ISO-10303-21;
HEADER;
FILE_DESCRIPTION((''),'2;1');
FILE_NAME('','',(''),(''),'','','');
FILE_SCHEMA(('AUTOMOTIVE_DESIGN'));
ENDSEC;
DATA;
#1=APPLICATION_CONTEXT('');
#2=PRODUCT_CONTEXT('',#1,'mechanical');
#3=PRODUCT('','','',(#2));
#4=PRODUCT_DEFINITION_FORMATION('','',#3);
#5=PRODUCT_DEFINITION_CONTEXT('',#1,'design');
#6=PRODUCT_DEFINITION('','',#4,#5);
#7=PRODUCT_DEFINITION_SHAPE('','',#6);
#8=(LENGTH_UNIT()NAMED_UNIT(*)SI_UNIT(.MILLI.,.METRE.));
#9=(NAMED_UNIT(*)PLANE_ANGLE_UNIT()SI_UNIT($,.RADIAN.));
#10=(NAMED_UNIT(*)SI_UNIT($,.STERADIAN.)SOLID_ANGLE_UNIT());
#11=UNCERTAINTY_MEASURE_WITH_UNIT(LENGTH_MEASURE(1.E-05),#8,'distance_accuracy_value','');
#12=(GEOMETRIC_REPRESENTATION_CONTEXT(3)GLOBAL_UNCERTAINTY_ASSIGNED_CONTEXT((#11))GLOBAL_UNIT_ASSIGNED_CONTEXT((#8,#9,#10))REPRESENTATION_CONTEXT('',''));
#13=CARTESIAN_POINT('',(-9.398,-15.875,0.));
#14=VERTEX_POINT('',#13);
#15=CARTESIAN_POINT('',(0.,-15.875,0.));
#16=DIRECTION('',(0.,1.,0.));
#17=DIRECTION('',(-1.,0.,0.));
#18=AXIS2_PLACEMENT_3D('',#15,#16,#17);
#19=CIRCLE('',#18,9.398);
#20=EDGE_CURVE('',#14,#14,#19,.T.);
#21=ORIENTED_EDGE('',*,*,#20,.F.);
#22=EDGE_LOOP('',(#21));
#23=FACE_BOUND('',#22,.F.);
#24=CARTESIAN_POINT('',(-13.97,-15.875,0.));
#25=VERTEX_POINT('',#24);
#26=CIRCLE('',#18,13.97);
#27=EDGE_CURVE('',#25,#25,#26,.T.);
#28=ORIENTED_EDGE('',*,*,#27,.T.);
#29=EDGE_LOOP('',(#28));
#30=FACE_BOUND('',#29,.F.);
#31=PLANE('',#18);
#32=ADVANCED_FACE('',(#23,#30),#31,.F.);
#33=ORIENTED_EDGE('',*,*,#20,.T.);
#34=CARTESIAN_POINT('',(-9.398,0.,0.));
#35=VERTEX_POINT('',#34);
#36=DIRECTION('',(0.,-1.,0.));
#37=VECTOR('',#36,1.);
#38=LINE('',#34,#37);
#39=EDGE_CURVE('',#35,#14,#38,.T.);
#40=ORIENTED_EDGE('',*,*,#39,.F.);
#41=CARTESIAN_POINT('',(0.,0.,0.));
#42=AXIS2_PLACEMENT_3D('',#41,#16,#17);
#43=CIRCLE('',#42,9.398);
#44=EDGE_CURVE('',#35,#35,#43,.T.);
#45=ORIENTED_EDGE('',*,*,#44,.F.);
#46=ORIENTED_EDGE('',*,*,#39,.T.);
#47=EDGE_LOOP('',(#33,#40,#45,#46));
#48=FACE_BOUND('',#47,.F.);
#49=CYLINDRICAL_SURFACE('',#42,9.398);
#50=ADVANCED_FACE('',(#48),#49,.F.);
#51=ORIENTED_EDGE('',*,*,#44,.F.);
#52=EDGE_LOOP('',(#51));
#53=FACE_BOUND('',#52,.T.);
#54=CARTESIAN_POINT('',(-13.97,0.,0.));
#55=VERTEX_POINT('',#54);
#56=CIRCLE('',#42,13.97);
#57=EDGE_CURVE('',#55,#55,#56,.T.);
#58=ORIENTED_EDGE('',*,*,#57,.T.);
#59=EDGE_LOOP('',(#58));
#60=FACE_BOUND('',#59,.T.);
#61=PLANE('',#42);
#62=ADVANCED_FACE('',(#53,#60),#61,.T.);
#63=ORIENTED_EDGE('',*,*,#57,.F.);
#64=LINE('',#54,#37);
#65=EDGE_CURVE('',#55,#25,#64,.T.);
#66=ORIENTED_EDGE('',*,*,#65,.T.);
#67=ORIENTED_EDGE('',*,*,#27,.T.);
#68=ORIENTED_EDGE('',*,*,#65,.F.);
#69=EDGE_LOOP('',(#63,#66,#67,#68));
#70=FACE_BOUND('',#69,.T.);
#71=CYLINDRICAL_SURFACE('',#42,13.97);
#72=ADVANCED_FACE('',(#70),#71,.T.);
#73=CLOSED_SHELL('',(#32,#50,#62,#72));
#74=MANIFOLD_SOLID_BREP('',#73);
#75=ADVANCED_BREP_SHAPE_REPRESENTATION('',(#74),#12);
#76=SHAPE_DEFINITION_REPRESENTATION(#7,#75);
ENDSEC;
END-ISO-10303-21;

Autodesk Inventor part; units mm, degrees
ref_plane "YZ Plane" through (0, 0, 0) normal (1, 0, 0) x (0, 1, 0)
ref_plane "XZ Plane" through (0, 0, 0) normal (0, 1, 0) x (-1, 0, 0)
ref_plane "XY Plane" through (0, 0, 0) normal (0, 0, 1) x (1, 0, 0)
sketch "Sketch1" plane through (0, 0, 0) normal (0, 1, 0) x (-1, 0, 0)
  circle A0 centre (0, 0) radius 9.398
  circle A1 centre (0, 0) radius 13.97
  dimension "d0" = 18.796
  dimension "d1" = 27.94
extrude "Extrusion1" add sketch "Sketch1" against normal blind 15.875
equation "\"d0\" = insideDiameter"
equation "\"d1\" = outsideDiameter"
equation "\"d2\" = height"
equation "\"insideDiameter\" = 18.796"
equation "\"outsideDiameter\" = 27.94"
equation "\"height\" = 15.875"
properties part number "knobBushing" material "PC/ABS Plastic"
